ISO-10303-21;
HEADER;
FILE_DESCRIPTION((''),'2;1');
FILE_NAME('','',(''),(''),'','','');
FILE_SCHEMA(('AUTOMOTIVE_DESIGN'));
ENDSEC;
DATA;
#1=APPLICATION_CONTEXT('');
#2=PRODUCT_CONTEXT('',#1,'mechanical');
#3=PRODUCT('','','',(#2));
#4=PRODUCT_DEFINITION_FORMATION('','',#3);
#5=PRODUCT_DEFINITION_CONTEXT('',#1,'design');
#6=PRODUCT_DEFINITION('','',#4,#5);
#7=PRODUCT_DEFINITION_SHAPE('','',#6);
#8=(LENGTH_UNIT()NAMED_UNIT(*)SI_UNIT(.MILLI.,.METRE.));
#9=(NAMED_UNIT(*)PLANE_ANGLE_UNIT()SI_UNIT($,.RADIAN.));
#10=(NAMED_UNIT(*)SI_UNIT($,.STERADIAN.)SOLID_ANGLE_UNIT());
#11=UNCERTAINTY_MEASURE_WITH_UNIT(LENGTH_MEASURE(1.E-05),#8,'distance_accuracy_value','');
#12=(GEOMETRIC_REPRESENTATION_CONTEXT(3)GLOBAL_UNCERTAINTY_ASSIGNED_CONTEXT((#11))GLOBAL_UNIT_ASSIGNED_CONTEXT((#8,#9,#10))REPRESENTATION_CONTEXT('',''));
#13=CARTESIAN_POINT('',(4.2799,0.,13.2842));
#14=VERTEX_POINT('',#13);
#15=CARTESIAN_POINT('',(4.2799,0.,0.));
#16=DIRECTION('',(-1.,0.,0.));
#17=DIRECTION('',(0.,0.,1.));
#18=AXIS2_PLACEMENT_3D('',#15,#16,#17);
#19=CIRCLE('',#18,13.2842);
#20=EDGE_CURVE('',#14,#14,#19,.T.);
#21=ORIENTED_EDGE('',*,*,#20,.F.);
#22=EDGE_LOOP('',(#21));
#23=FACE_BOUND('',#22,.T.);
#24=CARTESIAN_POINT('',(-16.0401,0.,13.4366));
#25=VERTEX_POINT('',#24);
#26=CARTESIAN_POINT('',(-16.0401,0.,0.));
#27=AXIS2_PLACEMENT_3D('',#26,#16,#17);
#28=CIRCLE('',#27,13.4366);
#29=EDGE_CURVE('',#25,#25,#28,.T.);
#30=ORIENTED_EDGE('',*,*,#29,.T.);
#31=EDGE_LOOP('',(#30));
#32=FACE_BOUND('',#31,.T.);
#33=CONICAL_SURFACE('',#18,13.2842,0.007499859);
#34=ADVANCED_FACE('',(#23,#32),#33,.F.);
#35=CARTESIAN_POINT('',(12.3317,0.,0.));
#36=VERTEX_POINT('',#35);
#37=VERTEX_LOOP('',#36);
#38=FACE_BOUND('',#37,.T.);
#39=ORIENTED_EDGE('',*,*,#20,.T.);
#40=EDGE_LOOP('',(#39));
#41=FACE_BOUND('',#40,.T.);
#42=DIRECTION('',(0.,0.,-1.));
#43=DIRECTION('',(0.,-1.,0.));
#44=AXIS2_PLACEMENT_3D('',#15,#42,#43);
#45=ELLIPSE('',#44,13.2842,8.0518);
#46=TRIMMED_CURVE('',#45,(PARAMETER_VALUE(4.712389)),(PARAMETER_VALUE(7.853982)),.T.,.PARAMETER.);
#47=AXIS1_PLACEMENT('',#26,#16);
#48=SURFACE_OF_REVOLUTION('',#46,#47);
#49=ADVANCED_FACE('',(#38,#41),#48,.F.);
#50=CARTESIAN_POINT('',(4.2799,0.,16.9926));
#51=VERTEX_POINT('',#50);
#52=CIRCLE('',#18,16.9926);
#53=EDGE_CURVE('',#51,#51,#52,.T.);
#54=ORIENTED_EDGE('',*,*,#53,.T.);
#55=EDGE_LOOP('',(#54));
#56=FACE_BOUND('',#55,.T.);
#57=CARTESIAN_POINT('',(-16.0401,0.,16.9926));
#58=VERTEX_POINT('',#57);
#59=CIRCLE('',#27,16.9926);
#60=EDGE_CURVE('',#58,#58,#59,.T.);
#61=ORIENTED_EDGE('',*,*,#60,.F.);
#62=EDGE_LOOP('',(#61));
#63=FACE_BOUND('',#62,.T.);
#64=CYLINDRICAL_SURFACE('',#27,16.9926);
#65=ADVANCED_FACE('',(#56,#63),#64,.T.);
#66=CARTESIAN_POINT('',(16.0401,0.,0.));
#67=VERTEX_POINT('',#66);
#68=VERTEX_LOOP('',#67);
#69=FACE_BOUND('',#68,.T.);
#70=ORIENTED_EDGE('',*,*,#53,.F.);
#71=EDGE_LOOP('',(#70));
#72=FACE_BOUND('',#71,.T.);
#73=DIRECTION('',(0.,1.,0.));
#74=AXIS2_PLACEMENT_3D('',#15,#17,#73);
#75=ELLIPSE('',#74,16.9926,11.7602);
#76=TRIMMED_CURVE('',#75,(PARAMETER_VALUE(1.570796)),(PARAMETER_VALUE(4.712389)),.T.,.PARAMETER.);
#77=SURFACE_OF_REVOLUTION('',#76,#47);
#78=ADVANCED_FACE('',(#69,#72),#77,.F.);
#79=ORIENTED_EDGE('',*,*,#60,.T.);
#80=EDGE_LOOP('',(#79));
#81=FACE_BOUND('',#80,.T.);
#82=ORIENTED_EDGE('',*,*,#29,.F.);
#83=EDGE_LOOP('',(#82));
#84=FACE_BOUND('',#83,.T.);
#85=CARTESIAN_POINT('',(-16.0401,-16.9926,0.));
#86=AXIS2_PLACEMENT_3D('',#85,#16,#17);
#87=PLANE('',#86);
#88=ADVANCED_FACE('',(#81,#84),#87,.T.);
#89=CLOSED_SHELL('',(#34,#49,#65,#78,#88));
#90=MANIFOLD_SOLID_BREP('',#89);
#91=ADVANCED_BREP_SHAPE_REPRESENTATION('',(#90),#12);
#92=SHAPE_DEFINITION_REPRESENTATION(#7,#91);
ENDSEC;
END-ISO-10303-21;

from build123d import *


with BuildPart() as part:
    # Sketch1 → Revolve1 (revolve)
    with BuildSketch(Plane.XY):
        with BuildLine():
            Line((12.3317, 0), (16.0401, 0))
            add(Edge.make_bspline(
                [(4.2799, -16.9926), (16.0401, -16.9926), (16.0401, 0)],
                knots=[3.141592654, 3.141592654, 3.141592654, 4.71238898, 4.71238898, 4.71238898], degree=2, weights=[1, 0.707106781, 1]))
            Line((4.2799, -16.9926), (-16.0401, -16.9926))
            Line((-16.0401, -16.9926), (-16.0401, -13.4366))
            Line((-16.0401, -13.4366), (4.2799, -13.2842))
            add(Edge.make_bspline(
                [(4.2799, -13.2842), (12.3317, -13.2842), (12.3317, 0)],
                knots=[0, 0, 0, 1.570796327, 1.570796327, 1.570796327], degree=2, weights=[1, 0.707106781, 1]))
        make_face()
    revolve(axis=Axis((-16.0401, 0, 0), (1, 0, 0)))


solid = part.part
